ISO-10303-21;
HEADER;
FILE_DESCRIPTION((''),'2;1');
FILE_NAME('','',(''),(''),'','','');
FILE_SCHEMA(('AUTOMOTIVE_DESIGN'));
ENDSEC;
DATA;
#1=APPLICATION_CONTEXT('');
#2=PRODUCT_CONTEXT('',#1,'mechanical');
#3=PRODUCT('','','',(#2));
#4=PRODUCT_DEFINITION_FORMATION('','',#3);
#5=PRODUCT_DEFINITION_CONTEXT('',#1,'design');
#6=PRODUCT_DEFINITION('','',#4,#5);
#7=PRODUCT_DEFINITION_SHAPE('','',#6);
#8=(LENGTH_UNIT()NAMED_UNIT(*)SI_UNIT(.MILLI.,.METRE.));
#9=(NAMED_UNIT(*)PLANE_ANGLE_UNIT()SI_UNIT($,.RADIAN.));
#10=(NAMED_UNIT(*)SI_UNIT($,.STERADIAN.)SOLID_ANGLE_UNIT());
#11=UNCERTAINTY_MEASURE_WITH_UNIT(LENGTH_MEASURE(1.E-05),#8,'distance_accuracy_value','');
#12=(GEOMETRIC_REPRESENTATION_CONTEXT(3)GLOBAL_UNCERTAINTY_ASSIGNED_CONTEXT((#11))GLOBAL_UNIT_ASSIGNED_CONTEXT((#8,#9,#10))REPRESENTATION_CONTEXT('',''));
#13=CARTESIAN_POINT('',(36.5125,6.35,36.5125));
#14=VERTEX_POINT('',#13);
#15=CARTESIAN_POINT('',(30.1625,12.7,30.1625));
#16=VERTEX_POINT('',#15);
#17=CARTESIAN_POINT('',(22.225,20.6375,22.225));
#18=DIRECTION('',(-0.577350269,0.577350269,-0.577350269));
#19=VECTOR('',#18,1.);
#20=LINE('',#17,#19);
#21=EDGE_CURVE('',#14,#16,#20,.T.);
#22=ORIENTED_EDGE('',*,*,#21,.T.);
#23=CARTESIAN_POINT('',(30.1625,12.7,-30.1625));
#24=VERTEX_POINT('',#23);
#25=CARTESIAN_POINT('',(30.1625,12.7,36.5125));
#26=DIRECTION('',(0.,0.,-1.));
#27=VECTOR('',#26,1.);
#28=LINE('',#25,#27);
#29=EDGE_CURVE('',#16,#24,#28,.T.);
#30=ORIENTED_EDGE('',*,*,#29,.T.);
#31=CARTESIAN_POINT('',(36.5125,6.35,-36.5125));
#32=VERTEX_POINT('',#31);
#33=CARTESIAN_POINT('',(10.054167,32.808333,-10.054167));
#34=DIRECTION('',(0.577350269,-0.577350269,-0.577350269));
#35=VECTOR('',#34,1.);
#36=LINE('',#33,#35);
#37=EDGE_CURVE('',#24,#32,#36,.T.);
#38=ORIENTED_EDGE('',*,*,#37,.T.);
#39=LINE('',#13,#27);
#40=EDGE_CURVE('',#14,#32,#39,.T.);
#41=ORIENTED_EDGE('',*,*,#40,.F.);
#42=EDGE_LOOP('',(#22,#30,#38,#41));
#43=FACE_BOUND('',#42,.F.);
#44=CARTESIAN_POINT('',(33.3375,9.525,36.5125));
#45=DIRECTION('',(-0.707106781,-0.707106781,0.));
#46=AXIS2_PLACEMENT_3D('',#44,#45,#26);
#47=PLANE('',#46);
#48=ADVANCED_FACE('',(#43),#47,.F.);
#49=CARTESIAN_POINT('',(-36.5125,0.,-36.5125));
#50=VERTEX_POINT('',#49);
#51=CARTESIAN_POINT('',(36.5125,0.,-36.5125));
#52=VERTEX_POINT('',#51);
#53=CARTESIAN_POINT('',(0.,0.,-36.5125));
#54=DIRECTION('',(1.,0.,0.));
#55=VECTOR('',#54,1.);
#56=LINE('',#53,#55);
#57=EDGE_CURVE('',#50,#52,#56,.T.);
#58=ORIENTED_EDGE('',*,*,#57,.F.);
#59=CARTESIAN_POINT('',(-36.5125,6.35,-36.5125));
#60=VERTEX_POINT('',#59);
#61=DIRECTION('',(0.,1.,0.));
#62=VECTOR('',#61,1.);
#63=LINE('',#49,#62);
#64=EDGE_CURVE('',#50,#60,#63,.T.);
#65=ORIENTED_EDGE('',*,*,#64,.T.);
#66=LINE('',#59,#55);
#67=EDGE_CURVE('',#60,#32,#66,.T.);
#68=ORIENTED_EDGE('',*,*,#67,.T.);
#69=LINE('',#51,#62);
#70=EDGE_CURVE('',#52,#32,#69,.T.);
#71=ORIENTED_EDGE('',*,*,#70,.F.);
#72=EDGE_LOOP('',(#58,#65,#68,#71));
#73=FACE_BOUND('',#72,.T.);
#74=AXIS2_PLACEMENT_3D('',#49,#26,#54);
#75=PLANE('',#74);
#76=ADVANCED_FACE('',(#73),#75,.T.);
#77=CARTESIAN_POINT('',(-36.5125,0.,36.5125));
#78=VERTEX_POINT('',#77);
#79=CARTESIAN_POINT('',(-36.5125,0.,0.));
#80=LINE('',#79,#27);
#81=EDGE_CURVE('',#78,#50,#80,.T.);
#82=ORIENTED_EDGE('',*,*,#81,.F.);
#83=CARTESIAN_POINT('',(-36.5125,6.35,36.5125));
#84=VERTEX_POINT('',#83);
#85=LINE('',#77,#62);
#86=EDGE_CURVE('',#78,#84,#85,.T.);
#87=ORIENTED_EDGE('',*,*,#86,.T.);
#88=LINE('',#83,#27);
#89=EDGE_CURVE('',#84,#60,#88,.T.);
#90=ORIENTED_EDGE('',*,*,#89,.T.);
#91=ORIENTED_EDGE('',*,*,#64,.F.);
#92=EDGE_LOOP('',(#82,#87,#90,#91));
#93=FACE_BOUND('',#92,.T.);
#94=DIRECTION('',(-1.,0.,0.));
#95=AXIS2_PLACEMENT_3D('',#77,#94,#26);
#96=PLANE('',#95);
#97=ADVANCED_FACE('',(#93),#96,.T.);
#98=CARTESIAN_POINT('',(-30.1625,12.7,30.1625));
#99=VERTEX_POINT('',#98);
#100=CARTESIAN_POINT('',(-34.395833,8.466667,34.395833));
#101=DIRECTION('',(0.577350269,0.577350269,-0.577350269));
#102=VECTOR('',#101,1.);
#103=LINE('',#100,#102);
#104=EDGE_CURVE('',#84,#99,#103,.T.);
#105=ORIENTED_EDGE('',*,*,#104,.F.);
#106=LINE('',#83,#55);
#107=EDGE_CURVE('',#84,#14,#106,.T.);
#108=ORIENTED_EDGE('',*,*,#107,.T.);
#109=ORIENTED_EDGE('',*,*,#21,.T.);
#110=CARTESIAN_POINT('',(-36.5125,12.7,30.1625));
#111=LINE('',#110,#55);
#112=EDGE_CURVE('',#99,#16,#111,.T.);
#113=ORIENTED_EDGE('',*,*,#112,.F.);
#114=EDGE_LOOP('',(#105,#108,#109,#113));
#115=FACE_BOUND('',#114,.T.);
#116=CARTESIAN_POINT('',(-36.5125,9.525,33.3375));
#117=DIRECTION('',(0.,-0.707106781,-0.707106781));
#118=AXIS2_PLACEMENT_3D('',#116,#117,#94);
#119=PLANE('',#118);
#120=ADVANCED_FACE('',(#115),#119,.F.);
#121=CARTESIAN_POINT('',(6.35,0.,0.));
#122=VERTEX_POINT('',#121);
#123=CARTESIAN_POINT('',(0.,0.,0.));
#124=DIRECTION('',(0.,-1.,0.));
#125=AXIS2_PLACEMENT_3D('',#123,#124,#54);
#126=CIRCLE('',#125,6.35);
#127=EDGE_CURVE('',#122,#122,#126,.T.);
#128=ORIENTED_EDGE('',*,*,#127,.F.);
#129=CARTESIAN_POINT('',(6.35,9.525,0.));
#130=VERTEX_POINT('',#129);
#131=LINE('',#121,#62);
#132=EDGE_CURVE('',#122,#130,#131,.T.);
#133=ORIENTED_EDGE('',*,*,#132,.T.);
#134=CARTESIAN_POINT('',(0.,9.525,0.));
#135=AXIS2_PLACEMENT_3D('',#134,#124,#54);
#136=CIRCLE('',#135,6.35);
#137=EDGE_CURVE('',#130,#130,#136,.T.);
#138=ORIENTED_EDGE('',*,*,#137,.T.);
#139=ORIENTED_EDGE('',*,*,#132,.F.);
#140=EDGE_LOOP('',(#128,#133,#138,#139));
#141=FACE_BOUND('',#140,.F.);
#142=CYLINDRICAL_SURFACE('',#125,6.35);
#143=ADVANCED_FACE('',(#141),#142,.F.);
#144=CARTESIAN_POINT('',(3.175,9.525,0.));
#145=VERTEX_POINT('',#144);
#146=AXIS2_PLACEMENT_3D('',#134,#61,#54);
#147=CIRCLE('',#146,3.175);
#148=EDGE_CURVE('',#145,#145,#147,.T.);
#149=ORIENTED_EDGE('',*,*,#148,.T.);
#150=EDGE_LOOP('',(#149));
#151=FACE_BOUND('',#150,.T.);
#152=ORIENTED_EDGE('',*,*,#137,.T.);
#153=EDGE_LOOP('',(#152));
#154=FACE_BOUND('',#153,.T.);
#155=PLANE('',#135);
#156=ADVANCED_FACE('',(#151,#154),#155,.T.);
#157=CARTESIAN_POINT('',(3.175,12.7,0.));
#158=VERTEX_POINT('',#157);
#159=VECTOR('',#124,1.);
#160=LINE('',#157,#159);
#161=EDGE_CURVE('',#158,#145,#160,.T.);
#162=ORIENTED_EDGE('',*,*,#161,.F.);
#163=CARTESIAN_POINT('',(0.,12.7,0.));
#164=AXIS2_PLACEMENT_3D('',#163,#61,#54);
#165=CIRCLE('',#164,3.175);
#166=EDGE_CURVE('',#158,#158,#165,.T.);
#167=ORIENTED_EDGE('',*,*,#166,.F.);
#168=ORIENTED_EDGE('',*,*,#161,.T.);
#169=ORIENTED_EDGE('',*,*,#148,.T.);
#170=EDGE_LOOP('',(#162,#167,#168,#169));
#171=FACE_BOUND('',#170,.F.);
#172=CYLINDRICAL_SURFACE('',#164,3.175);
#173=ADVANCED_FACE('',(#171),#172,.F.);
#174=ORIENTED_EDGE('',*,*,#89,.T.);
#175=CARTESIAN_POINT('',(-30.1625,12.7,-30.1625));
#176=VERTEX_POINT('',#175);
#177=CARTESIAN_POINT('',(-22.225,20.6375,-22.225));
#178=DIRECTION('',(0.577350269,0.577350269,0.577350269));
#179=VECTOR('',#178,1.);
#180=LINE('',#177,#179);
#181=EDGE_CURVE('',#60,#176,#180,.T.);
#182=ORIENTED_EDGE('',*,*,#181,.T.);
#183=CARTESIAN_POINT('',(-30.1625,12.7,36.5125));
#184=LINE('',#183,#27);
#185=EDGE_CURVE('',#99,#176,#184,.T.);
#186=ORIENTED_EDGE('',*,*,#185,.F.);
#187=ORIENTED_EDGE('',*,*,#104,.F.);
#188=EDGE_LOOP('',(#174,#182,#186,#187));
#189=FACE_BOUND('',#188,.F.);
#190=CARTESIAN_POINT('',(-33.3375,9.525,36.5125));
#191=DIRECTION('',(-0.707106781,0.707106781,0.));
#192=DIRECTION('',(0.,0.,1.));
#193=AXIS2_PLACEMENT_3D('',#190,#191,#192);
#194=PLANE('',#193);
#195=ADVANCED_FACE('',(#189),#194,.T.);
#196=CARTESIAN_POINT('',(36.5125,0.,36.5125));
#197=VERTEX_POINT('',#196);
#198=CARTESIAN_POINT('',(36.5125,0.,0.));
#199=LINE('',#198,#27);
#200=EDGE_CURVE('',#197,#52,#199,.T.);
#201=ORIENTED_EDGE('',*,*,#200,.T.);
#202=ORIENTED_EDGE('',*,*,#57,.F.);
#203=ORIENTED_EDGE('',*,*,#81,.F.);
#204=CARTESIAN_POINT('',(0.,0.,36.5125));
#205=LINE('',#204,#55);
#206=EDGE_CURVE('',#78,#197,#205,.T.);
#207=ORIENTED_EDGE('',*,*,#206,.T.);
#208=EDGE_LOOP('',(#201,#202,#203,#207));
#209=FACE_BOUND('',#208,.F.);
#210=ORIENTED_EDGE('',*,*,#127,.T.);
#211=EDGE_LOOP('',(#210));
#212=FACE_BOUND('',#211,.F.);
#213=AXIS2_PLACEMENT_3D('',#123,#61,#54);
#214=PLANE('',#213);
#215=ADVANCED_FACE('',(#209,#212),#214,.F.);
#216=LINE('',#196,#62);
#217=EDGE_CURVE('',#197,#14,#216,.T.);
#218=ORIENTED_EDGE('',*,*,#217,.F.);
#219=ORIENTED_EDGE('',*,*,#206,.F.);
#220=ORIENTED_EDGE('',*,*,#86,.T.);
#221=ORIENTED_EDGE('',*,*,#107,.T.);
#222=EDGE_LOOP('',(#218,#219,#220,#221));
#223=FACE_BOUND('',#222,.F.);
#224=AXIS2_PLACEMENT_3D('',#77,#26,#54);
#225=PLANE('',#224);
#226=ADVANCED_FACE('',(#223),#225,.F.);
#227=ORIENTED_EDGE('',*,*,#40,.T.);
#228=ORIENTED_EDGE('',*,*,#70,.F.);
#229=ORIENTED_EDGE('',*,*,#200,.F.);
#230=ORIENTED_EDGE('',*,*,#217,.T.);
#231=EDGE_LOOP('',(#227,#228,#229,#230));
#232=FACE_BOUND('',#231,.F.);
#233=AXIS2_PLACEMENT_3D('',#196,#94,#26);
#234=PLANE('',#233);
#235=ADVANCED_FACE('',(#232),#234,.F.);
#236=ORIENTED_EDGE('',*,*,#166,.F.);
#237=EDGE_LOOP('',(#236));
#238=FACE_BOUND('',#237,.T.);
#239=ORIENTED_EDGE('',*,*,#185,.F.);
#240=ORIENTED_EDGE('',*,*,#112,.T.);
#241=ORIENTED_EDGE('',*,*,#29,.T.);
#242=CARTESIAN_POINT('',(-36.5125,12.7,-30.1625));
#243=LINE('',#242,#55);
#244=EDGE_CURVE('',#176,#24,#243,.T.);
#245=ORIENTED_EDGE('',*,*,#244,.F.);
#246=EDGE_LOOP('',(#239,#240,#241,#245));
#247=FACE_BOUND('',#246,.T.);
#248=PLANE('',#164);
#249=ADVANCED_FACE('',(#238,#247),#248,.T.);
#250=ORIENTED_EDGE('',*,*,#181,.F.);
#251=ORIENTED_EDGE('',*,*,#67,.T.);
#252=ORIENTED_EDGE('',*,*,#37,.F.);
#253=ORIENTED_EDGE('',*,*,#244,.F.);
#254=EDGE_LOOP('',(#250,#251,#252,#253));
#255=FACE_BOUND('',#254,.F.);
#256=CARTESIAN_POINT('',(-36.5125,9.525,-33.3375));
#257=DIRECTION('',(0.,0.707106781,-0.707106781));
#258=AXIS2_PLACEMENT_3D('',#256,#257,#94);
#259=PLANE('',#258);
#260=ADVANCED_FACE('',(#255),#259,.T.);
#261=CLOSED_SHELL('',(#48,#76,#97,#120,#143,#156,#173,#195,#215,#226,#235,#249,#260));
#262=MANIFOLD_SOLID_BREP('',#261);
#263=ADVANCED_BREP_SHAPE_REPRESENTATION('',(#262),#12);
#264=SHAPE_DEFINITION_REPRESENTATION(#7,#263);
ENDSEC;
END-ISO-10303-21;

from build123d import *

# Parameters (mm, degrees)
SKETCH2_W           = 73.025
SKETCH2_H           = 73.025
BOSS_EXTRUDE1_DEPTH = 12.7
SKETCH3_R           = 3.175
CUT_EXTRUDE1_DEPTH  = 3.175
SKETCH4_R           = 6.35
CUT_EXTRUDE2_DEPTH  = 9.525
CHAMFER2_SIZE       = 6.35


with BuildPart() as part:
    # Sketch2 → Boss-Extrude1 (new body)
    with BuildSketch(Plane(origin=(0, 0, 0), x_dir=(1, 0, 0), z_dir=(0, 1, 0))):
        Rectangle(SKETCH2_W, SKETCH2_H)
    extrude(amount=BOSS_EXTRUDE1_DEPTH)

    # Sketch3 → Cut-Extrude1 (cut)
    with BuildSketch(Plane(origin=(0, 12.7, 0), x_dir=(1, 0, 0), z_dir=(0, 1, 0))):
        Circle(SKETCH3_R)
    extrude(amount=-CUT_EXTRUDE1_DEPTH, mode=Mode.SUBTRACT)

    # Sketch4 → Cut-Extrude2 (cut)
    with BuildSketch(Plane.XZ):
        Circle(SKETCH4_R)
    extrude(amount=-CUT_EXTRUDE2_DEPTH, mode=Mode.SUBTRACT)

    # Chamfer2
    chamfer2_edges = [part.edges().sort_by_distance(p)[0] for p in [
        (-36.5125, 12.7, 0),
        (0, 12.7, 36.5125),
        (36.5125, 12.7, 0),
        (0, 12.7, -36.5125),
    ]]
    chamfer(chamfer2_edges, length=CHAMFER2_SIZE)


solid = part.part
